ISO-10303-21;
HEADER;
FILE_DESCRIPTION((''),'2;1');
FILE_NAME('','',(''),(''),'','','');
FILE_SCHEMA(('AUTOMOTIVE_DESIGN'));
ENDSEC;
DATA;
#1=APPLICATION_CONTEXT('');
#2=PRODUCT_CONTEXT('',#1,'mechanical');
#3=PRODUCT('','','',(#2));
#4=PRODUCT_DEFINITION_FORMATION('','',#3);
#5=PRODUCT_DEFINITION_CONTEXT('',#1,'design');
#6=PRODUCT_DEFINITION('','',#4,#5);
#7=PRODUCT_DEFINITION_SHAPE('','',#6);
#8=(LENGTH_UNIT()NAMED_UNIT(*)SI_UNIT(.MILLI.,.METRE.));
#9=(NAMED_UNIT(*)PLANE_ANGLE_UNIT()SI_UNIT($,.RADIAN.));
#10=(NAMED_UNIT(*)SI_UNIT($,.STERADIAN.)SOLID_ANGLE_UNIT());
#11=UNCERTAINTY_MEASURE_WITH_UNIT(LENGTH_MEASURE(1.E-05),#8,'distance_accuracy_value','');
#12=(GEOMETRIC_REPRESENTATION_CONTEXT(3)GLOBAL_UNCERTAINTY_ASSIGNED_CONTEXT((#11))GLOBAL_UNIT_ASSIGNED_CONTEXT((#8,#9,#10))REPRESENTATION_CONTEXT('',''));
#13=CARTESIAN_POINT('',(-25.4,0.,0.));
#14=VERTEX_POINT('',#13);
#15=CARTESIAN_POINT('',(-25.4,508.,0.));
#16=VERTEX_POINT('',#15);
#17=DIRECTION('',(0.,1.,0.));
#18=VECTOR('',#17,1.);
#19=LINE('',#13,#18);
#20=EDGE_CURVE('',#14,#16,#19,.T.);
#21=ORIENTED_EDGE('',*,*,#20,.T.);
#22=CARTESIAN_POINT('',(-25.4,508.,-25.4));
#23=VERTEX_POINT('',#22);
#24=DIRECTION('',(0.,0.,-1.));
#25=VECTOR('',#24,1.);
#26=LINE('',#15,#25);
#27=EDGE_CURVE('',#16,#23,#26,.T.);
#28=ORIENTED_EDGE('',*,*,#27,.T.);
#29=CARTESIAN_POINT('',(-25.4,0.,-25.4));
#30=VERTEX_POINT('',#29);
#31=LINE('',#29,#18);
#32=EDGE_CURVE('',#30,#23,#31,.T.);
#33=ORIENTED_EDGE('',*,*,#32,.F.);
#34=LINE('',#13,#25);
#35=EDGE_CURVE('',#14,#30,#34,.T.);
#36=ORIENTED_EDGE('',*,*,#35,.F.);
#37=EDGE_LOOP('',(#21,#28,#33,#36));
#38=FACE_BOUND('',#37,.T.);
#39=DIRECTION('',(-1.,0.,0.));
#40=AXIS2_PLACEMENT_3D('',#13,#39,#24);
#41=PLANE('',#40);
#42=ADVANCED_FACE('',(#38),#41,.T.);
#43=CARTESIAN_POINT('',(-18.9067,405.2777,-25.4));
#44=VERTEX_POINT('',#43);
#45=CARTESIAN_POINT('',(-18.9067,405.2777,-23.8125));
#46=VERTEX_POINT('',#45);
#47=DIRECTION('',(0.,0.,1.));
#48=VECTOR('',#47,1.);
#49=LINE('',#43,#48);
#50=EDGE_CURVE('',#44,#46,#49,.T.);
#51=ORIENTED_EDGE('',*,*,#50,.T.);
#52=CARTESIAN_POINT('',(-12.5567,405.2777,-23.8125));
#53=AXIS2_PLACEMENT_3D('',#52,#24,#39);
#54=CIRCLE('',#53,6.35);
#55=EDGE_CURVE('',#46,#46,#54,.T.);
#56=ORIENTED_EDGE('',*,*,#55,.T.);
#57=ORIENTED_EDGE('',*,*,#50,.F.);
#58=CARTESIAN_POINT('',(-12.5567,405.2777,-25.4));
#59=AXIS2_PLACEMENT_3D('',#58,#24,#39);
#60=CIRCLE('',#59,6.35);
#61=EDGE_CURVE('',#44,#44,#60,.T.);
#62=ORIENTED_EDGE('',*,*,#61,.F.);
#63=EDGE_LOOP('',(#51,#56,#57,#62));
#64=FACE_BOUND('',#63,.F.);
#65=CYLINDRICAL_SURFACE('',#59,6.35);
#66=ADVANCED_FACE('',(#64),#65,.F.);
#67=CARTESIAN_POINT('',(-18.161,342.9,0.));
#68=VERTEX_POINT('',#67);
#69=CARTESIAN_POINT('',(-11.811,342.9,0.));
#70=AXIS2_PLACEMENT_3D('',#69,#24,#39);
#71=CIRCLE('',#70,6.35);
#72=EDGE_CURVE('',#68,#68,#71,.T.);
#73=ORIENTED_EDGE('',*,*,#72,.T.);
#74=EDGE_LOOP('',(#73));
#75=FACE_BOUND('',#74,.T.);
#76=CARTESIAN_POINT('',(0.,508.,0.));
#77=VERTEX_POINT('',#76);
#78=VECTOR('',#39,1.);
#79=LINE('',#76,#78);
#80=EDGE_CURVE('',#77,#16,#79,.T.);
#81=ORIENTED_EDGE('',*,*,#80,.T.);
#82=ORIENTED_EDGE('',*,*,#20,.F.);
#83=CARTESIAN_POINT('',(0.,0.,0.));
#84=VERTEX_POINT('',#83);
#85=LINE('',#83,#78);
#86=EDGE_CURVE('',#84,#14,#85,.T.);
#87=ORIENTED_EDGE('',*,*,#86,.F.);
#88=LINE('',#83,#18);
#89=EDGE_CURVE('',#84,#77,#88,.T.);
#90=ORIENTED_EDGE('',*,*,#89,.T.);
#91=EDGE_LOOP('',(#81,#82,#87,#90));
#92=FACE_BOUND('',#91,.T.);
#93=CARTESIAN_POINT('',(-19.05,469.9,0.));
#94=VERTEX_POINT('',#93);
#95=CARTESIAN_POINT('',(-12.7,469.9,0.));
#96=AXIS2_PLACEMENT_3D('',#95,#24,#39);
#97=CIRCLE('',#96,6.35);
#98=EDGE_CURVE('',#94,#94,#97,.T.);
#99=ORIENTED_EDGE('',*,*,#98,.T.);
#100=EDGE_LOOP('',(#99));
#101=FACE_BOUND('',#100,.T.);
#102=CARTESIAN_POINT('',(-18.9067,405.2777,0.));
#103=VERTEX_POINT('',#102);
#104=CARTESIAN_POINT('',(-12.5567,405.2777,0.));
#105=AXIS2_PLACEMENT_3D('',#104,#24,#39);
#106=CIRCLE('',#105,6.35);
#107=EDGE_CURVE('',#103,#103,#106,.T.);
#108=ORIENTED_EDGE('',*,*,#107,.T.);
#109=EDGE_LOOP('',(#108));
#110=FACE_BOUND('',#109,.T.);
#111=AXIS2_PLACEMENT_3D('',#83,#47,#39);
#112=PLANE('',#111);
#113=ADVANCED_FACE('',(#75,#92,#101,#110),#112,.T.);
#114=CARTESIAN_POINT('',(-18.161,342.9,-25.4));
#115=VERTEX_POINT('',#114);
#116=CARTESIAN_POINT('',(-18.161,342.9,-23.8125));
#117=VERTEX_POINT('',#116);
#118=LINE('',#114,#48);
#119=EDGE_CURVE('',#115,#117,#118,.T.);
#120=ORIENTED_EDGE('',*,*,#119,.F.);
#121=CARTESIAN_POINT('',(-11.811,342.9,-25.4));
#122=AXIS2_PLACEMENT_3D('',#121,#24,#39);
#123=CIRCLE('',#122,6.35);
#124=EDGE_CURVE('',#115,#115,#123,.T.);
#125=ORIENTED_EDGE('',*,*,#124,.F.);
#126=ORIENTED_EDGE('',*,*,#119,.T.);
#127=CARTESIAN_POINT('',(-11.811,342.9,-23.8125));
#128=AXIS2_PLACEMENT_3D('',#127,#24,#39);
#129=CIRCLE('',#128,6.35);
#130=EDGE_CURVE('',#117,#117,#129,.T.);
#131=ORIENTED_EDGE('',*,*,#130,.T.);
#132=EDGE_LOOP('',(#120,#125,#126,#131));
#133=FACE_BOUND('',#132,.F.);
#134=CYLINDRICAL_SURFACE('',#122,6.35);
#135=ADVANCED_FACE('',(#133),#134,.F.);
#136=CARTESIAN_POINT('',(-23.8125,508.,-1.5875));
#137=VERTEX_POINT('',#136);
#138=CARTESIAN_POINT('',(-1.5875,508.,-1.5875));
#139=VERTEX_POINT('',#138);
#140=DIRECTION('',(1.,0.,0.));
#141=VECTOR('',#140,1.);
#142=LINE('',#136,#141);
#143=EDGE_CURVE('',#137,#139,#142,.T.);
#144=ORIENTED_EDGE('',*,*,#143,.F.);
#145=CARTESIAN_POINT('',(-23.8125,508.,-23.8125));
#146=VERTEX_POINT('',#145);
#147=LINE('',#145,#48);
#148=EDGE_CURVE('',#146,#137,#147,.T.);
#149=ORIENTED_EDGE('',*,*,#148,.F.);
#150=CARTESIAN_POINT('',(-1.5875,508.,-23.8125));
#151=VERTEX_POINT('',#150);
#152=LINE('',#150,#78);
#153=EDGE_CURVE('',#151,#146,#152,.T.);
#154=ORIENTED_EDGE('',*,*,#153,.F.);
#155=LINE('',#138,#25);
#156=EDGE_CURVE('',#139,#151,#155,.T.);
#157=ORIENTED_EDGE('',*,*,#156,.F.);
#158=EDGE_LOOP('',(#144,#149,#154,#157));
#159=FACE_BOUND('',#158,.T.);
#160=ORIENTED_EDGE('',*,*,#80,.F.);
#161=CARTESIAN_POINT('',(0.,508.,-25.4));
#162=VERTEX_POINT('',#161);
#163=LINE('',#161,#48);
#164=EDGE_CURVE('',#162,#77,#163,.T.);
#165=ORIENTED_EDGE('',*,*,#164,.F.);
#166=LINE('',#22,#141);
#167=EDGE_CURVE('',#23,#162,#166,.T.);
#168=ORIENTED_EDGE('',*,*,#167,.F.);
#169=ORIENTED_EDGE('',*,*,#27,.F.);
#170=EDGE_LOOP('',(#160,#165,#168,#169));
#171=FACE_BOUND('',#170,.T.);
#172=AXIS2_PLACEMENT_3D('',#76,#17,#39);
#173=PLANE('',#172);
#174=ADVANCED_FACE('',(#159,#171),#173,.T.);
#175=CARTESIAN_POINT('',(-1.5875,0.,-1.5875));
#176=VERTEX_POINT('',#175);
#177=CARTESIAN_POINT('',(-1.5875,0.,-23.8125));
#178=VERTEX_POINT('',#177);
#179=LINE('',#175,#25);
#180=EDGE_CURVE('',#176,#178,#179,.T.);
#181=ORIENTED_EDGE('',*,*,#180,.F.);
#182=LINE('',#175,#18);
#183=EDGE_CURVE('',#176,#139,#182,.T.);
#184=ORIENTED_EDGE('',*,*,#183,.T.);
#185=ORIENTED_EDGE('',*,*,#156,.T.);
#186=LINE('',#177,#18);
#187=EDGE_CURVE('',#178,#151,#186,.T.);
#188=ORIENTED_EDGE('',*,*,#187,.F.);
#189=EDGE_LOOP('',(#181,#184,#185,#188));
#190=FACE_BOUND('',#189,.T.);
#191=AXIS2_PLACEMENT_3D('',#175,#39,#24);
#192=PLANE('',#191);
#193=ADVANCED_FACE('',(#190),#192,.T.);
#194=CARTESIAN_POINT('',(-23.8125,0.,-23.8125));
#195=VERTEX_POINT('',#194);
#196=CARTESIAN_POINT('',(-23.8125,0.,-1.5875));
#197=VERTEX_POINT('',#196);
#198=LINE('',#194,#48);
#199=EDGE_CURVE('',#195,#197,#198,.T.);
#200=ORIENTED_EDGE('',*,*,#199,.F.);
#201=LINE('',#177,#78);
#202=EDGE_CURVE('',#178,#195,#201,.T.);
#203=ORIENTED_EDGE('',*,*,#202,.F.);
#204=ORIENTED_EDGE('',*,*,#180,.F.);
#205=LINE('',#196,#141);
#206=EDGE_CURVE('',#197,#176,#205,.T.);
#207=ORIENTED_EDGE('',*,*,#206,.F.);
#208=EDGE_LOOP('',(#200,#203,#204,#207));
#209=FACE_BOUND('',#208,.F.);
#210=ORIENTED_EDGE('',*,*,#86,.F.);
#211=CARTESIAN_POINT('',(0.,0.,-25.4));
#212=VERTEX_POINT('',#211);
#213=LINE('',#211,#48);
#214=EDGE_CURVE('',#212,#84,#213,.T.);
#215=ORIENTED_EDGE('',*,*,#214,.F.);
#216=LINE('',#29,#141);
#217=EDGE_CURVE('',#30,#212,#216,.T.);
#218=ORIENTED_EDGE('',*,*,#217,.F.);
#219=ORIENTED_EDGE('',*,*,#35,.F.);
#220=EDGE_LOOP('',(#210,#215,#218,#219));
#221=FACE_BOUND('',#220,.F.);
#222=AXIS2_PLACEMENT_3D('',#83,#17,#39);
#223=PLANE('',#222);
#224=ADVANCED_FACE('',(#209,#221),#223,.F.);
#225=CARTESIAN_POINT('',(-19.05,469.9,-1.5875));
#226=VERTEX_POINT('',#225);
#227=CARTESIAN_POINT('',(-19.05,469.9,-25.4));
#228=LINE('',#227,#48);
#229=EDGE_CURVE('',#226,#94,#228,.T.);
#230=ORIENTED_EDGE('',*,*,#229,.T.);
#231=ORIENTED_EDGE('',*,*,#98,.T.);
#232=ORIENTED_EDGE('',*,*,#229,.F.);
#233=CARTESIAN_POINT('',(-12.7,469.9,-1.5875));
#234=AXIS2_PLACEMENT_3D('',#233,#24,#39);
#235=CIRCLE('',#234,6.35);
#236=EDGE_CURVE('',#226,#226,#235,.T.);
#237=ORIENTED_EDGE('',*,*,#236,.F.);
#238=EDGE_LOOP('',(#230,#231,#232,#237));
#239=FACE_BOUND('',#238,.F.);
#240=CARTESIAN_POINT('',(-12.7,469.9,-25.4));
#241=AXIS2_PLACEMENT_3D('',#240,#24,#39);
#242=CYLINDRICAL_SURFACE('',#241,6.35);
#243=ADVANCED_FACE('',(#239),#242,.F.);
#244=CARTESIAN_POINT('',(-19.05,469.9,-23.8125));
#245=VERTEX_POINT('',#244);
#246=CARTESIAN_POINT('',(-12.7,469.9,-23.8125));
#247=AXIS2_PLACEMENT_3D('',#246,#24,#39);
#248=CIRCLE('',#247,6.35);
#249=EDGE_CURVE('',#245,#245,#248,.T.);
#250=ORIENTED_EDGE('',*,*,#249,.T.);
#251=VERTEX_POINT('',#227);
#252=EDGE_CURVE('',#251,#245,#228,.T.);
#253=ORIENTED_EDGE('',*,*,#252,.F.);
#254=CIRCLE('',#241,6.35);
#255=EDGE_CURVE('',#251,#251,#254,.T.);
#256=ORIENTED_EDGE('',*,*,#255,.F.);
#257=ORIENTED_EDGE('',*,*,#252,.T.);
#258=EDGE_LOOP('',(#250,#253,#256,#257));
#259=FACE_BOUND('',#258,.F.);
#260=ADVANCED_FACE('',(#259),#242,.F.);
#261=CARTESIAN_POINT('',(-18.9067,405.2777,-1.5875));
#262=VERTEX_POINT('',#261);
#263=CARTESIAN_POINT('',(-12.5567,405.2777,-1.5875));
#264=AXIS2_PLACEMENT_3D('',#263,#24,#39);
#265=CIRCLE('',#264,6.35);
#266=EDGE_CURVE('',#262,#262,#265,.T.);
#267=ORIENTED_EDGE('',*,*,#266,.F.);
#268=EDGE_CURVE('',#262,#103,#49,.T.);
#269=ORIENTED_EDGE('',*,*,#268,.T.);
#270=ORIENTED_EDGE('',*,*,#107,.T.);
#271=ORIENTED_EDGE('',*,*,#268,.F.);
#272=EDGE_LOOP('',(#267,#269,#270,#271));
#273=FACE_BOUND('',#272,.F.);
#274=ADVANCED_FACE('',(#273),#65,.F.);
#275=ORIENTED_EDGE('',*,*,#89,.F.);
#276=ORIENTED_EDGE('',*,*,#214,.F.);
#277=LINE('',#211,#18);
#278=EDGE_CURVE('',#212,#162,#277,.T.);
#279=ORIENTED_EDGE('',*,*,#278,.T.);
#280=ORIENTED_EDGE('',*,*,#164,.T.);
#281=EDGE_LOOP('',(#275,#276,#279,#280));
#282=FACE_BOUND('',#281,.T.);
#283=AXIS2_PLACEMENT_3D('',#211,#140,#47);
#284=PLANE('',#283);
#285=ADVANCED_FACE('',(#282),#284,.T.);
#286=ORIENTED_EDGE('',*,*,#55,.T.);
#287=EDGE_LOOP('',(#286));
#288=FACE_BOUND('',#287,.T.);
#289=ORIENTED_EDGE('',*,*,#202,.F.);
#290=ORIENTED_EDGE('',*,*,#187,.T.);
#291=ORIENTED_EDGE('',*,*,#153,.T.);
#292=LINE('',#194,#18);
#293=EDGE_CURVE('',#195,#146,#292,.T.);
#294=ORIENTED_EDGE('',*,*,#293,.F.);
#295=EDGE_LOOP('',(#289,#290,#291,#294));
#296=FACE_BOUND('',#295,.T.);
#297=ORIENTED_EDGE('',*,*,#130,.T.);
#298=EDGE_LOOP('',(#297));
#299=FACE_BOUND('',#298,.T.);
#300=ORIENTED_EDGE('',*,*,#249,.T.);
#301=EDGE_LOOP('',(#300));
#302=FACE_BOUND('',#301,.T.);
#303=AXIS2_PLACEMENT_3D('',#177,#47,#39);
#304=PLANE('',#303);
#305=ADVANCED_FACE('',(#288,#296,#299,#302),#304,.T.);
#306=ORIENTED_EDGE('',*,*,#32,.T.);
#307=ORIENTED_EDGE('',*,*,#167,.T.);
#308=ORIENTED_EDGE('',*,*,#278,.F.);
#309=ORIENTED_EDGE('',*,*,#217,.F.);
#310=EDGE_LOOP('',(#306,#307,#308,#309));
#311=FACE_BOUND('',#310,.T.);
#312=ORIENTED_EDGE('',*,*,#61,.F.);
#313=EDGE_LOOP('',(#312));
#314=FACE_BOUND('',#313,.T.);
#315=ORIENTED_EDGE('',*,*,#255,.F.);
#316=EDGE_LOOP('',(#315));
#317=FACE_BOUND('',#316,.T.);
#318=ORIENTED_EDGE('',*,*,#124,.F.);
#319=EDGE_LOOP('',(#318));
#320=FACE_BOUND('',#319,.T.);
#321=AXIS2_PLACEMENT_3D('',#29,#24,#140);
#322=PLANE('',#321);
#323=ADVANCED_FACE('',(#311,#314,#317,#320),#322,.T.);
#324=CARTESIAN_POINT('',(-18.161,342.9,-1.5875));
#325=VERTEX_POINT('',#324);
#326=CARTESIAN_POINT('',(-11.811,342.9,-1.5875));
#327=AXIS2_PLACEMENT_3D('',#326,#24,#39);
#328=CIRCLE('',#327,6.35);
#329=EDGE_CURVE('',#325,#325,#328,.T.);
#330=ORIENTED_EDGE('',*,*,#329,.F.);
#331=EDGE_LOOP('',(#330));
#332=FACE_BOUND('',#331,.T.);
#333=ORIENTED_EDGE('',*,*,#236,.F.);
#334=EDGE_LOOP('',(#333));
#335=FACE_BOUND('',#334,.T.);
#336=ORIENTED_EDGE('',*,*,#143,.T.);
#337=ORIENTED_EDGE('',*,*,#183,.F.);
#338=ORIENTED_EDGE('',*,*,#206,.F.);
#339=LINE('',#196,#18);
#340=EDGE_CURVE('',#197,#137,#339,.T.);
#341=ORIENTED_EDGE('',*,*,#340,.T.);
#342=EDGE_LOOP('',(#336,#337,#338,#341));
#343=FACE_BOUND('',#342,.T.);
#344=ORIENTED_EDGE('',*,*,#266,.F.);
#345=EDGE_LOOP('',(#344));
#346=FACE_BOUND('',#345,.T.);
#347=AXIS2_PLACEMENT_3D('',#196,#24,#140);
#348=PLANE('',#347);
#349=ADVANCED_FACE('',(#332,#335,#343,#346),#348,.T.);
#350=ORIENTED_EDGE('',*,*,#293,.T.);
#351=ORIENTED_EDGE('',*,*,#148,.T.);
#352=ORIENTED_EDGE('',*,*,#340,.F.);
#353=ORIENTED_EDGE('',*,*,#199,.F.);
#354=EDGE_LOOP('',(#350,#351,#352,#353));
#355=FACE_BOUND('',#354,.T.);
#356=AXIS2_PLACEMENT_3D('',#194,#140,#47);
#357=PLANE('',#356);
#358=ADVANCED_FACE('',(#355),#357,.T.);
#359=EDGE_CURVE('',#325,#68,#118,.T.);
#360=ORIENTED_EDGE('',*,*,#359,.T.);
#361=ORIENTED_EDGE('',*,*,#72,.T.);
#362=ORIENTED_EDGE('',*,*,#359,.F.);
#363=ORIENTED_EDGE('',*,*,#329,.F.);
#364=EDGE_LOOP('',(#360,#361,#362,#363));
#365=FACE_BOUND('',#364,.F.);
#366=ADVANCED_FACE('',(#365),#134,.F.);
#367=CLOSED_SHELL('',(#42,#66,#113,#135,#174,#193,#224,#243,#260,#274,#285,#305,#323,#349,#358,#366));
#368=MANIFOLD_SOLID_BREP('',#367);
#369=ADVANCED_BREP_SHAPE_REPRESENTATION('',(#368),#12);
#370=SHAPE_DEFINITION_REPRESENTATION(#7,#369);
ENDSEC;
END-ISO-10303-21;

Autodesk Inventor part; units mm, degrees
ref_plane "YZ Plane" through (0, 0, 0) normal (1, 0, 0) x (0, 1, 0)
ref_plane "XZ Plane" through (0, 0, 0) normal (0, 1, 0) x (-1, 0, 0)
ref_plane "XY Plane" through (0, 0, 0) normal (0, 0, 1) x (1, 0, 0)
sketch "Sketch1" plane through (0, 0, 0) normal (0, 1, 0) x (-1, 0, 0)
  line L0 (0, 0) -> (25.4, 0)
  line L1 (25.4, 0) -> (25.4, -25.4)
  line L2 (25.4, -25.4) -> (0, -25.4)
  line L3 (0, -25.4) -> (0, 0)
  line L4 (23.8125, -23.8125) -> (23.8125, -1.5875)
  line L5 (23.8125, -1.5875) -> (1.5875, -1.5875)
  line L6 (1.5875, -1.5875) -> (1.5875, -23.8125)
  line L7 (1.5875, -23.8125) -> (23.8125, -23.8125)
  dimension "d0" = 25.4
  dimension "d1" = 25.4
  dimension "d2" = 1.5875
extrude "Extrusion1" add sketch "Sketch1" along normal blind 508
sketch "Sketch2" plane through (0, 0, -25.4) normal (0, 0, -1) x (-1, 0, 0)
  circle A0 centre (12.7, 469.9) radius 6.35
  line L0 (0, 508) -> (25.4, 508) projected
  point P0 (0, 0)
  dimension "d5" = 12.7
  dimension "d6" = 38.1
extrude "Extrusion2" cut sketch "Sketch2" against normal blind 25.4
sketch "Sketch5" plane through (0, 0, -25.4) normal (0, 0, -1) x (-1, 0, 0)
  circle A0 centre (11.811, 342.9) radius 6.35
  line L0 (25.4, 0) -> (25.4, 508) projected
  line L1 (25.4, 0) -> (0, 0) projected
  dimension "d19" = 12.7
  dimension "d20" = 13.589
  dimension "d21" = 342.9
extrude "Extrusion5" cut sketch "Sketch5" against normal blind 25.4
sketch "Sketch6" plane through (0, 0, -25.4) normal (0, 0, -1) x (-1, 0, 0)
  circle A0 centre (12.5567, 405.2777) radius 6.35
  point P0 (0, 0)
  dimension "d24" = 12.7
extrude "Extrusion6" cut sketch "Sketch6" against normal blind 25.4
properties part number "AP 7"
